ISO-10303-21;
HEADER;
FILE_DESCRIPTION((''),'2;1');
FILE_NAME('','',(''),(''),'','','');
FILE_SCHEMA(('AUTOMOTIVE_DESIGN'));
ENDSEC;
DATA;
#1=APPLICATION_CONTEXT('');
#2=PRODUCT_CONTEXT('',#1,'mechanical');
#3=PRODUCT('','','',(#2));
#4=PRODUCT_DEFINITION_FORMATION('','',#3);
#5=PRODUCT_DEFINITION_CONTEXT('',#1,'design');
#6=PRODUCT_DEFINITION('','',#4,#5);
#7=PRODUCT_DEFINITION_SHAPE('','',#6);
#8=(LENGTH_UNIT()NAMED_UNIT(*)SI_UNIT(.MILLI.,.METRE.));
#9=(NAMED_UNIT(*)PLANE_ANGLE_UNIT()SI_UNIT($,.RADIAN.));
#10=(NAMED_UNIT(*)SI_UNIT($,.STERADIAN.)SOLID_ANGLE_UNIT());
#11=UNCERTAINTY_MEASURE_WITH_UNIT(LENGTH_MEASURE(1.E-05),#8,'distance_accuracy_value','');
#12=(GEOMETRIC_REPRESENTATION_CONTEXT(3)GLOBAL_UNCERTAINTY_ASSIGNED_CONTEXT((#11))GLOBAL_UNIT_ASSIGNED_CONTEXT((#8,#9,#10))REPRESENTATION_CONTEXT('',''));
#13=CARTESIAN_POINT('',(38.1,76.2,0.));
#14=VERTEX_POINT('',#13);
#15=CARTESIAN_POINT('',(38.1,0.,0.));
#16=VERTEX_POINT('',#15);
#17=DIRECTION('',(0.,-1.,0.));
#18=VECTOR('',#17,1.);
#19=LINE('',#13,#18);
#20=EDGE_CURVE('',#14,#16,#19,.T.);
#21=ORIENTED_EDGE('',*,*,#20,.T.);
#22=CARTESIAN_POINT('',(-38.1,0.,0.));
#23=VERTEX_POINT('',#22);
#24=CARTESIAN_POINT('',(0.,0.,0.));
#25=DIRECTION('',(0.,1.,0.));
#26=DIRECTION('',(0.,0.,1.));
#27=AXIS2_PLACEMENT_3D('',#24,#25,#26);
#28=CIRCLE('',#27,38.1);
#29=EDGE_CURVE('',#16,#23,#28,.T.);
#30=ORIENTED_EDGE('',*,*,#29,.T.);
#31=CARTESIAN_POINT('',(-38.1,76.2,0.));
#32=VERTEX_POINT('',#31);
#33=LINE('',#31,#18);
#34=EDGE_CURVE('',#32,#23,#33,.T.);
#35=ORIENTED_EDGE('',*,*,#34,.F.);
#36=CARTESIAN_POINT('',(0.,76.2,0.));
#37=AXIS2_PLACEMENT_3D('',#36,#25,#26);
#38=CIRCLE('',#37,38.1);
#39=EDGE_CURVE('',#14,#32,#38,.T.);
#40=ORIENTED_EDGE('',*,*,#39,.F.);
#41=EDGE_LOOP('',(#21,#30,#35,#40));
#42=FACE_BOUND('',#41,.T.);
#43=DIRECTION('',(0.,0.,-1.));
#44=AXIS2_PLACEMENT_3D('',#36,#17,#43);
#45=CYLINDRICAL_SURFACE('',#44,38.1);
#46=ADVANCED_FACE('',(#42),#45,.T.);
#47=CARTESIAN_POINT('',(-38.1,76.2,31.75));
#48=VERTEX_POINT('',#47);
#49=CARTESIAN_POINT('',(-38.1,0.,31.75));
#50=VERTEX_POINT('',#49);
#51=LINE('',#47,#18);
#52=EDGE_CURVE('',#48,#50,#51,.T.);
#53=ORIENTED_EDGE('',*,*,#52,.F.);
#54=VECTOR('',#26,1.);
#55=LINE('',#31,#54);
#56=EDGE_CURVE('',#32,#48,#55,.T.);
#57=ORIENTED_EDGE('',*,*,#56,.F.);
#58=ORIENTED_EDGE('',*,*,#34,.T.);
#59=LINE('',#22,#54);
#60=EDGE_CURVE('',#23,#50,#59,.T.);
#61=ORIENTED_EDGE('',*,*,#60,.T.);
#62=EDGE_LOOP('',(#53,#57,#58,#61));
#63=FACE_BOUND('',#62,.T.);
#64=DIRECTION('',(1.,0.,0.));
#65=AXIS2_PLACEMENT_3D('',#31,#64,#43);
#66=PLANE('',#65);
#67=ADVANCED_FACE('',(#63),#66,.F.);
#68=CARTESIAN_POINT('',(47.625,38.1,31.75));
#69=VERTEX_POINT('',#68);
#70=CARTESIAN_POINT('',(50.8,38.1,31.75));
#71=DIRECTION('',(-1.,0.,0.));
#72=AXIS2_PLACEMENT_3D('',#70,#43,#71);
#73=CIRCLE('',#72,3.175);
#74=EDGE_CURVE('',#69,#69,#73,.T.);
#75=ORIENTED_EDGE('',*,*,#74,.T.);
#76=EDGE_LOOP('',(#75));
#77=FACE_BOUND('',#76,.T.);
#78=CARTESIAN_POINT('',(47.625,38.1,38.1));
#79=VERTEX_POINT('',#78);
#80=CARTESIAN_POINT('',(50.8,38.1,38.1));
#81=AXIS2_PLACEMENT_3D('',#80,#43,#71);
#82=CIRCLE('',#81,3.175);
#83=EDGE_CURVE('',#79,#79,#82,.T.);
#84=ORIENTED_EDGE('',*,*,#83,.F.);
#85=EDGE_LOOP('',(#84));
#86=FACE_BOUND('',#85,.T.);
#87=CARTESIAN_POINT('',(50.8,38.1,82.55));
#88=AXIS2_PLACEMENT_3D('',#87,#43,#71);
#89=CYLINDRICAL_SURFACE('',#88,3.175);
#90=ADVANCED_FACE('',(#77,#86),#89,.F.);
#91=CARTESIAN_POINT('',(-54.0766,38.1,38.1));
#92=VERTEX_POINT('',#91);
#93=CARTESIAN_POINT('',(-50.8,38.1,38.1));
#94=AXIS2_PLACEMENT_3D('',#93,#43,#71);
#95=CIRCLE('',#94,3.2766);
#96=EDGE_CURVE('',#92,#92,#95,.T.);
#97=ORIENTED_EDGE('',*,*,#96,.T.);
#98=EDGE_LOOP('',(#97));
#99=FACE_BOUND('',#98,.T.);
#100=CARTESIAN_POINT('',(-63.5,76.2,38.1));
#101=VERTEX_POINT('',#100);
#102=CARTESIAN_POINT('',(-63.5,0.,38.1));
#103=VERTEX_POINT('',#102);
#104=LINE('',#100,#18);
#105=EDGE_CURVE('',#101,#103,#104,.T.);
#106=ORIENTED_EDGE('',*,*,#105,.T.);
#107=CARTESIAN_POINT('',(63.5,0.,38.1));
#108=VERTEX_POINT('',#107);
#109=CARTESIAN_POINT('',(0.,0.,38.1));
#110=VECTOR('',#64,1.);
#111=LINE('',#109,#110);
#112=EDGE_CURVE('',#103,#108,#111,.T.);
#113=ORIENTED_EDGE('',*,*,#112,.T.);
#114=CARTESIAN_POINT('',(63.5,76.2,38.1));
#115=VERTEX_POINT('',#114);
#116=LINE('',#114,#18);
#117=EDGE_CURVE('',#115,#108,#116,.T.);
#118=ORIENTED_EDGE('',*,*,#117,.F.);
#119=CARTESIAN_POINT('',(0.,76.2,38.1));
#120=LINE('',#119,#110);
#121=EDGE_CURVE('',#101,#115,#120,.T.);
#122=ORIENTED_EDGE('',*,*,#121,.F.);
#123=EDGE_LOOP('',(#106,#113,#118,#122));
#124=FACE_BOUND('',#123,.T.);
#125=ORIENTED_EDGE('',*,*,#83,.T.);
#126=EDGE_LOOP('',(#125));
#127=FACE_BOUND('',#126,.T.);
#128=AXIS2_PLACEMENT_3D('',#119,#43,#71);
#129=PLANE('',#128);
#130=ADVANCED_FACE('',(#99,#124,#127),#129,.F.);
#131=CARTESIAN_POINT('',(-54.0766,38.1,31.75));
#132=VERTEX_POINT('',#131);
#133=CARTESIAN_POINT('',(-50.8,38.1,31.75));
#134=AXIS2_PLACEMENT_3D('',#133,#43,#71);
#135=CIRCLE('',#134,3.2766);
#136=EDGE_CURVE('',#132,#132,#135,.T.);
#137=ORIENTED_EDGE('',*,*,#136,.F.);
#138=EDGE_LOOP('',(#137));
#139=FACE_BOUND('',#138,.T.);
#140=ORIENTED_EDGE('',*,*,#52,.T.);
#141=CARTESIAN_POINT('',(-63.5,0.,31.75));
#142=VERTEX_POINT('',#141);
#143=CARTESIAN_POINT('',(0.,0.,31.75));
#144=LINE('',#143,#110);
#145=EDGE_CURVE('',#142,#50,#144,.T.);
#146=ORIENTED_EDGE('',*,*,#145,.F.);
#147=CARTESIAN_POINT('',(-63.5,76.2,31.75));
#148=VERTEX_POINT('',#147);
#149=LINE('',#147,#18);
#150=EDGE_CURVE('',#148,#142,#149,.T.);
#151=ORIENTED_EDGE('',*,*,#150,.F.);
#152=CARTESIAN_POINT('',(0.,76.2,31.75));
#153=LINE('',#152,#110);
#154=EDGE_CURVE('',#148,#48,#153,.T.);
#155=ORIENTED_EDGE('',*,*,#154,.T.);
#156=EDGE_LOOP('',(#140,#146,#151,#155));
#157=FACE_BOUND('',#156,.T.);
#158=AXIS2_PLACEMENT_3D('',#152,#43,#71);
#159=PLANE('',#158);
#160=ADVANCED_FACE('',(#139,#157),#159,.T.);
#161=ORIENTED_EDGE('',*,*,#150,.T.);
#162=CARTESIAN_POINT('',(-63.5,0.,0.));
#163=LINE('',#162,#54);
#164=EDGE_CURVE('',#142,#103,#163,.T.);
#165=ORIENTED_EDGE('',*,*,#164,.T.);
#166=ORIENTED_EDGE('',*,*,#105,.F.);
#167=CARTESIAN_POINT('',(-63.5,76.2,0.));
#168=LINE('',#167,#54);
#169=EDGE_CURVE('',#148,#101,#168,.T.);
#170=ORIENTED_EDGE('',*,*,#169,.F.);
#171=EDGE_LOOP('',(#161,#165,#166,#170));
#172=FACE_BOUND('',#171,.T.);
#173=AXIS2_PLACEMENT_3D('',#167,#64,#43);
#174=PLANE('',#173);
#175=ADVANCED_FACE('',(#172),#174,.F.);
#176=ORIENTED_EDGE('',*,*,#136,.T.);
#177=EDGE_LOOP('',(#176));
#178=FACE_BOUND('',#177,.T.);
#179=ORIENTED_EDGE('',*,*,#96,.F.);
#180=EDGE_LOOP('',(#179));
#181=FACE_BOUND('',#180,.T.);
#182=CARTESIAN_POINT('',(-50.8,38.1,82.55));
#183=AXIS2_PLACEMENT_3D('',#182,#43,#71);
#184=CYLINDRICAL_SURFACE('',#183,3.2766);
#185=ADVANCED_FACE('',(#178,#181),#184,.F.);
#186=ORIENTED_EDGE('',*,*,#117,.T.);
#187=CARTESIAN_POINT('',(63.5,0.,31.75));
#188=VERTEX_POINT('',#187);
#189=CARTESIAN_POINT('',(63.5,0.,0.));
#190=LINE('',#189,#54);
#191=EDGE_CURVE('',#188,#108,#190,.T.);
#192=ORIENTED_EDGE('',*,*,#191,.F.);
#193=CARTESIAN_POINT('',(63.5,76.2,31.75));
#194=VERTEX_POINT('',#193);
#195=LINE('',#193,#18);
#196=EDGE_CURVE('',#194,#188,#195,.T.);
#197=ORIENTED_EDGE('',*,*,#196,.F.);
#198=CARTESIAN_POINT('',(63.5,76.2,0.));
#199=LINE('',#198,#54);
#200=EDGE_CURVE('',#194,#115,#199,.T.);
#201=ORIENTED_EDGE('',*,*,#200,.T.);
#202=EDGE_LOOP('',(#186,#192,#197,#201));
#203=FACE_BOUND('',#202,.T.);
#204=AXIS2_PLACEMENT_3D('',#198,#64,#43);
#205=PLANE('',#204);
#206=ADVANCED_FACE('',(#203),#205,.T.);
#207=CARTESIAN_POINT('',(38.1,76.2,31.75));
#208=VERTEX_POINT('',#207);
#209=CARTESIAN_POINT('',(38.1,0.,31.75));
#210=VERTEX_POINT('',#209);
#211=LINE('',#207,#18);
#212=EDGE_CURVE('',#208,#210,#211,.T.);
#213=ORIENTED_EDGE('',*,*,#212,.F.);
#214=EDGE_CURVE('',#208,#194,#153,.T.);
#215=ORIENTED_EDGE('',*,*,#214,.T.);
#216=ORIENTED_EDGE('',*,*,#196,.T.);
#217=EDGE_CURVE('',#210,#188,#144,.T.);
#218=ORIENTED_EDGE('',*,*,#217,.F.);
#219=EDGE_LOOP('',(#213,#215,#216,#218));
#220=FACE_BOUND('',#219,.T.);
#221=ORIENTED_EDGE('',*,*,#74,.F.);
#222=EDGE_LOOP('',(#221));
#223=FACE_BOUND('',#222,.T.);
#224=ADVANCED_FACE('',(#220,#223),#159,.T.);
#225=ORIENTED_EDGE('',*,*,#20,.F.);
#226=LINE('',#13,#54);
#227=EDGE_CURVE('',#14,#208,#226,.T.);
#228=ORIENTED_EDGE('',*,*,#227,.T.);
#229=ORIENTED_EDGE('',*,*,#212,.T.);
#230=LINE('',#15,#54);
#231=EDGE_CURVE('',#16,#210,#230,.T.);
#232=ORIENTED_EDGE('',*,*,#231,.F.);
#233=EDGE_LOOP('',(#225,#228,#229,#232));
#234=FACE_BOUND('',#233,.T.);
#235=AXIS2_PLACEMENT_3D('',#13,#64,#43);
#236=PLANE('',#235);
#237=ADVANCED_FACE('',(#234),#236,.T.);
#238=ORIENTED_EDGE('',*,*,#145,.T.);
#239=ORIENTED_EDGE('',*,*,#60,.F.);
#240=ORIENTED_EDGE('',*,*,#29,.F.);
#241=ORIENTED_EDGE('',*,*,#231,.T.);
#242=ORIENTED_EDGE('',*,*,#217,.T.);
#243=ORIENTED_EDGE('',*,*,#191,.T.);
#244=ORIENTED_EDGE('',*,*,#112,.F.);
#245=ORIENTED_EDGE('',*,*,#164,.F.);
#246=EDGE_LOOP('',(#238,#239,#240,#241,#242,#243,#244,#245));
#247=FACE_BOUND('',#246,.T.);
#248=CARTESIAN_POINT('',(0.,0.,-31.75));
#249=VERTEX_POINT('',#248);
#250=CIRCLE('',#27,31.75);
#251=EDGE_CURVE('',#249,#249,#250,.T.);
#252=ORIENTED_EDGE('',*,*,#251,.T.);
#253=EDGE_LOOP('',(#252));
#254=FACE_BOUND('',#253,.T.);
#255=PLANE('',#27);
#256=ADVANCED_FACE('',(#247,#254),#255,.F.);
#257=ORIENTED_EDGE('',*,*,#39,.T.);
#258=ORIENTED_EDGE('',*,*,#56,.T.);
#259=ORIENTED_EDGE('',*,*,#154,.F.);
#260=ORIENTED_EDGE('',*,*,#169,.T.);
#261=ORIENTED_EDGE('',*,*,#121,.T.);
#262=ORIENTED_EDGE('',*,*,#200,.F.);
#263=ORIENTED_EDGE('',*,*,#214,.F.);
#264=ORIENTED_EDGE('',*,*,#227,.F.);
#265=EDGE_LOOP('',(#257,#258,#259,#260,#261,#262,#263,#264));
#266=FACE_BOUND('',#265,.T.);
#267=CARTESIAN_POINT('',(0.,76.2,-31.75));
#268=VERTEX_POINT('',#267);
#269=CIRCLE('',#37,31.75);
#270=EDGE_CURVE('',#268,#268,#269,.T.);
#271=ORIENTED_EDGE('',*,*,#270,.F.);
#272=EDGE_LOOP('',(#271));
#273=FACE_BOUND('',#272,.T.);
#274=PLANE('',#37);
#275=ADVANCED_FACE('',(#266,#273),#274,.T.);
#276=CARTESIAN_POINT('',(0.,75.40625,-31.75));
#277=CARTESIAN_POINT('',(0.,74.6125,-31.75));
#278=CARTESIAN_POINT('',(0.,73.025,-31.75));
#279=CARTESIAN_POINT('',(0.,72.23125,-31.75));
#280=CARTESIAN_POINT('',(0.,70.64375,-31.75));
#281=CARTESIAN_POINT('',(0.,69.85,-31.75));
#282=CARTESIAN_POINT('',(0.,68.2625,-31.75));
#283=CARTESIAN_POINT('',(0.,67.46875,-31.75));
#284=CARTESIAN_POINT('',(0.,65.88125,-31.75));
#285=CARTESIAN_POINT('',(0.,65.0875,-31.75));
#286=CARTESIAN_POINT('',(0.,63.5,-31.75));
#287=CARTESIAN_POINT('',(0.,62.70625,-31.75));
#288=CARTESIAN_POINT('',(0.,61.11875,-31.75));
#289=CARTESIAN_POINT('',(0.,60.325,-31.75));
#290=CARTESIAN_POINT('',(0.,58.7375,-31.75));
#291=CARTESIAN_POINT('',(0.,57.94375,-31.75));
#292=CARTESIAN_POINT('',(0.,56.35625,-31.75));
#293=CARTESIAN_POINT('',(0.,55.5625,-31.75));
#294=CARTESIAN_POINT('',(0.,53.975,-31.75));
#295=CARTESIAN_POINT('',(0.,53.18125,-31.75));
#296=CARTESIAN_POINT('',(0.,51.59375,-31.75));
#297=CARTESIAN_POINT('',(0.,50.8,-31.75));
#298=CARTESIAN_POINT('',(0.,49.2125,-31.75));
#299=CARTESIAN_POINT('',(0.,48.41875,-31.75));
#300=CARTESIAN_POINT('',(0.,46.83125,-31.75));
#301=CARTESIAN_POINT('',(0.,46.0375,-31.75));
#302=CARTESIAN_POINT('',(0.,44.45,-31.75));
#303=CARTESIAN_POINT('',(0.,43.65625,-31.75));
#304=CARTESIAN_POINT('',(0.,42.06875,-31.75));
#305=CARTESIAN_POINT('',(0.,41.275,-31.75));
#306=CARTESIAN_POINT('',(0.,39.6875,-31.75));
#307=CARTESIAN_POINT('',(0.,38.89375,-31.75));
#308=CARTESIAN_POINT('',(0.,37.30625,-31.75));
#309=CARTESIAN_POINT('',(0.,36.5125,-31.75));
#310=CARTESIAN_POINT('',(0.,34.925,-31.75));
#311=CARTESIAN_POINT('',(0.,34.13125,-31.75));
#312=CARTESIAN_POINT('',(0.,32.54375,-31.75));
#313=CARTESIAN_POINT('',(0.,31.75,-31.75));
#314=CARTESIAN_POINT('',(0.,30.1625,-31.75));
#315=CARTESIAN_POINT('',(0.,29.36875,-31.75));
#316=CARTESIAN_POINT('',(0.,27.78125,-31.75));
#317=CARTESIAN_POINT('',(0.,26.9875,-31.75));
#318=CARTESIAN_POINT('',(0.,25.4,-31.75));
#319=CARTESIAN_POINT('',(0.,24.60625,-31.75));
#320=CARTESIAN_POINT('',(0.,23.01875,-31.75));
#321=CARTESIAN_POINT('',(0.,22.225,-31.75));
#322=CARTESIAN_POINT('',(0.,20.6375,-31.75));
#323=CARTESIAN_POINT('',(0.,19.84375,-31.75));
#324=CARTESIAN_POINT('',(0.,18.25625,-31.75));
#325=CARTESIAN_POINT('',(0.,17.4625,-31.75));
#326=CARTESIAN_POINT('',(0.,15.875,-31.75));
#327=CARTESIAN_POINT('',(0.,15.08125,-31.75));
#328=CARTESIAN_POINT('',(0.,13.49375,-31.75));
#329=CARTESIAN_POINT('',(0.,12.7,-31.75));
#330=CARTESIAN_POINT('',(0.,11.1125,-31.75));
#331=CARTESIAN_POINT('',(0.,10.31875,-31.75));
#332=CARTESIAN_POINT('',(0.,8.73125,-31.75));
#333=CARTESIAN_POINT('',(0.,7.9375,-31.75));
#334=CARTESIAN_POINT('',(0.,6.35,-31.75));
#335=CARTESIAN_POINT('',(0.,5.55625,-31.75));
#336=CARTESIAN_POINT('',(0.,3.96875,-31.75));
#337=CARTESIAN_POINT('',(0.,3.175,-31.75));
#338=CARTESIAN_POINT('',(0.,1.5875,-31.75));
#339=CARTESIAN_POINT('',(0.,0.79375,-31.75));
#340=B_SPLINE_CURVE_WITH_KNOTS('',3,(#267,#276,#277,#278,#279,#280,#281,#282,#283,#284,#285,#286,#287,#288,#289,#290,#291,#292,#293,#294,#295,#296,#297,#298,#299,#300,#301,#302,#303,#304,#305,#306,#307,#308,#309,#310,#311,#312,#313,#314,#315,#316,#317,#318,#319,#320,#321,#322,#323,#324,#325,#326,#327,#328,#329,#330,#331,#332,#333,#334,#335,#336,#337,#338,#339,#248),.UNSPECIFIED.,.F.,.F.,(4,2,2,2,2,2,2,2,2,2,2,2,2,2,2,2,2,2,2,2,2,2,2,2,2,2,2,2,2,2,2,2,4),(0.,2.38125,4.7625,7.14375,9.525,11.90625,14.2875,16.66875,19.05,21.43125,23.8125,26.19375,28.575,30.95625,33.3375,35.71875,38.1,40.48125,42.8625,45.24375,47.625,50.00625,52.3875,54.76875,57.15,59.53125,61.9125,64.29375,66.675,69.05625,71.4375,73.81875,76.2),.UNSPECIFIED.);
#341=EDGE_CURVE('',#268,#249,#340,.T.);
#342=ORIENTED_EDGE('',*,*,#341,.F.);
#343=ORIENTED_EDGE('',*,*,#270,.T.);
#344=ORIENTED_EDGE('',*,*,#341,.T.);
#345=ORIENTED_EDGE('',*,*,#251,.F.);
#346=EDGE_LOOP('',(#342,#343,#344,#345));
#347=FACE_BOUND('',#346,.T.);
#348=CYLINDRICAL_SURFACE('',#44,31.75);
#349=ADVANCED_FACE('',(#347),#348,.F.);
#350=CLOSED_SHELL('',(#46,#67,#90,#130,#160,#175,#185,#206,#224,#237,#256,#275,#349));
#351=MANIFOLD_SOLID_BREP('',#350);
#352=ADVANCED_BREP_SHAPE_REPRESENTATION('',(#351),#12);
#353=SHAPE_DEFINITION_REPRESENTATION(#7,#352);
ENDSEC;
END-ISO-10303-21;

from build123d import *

# Parameters (mm, degrees)
SKETCH1_R           = 31.75
BOSS_EXTRUDE1_DEPTH = 76.2
SKETCH2_R           = 3.2766
SKETCH2_R_2         = 3.175
CUT_EXTRUDE1_DEPTH  = 50.8


with BuildPart() as part:
    # Sketch1 → Boss-Extrude1 (new body)
    with BuildSketch(Plane(origin=(0, 0, 0), x_dir=(1, 0, 0), z_dir=(0, 1, 0))):
        with BuildLine():
            Line((-38.1, -31.75), (-63.5, -31.75))
            Line((-63.5, -31.75), (-63.5, -38.1))
            Line((-63.5, -38.1), (63.5, -38.1))
            Line((63.5, -38.1), (63.5, -31.75))
            Line((63.5, -31.75), (38.1, -31.75))
            Line((38.1, -31.75), (38.1, 0))
            ThreePointArc((38.1, 0), (0, 38.1), (-38.1, 0))
            Line((-38.1, 0), (-38.1, -31.75))
        make_face()
        with Locations(Location((0, 0, 0), (0, 0, 90))):
            Circle(SKETCH1_R, mode=Mode.SUBTRACT)
    extrude(amount=BOSS_EXTRUDE1_DEPTH)

    # Sketch2 → Cut-Extrude1 (cut)
    with BuildSketch(Plane(origin=(0, 0, 31.75), x_dir=(-1, 0, 0), z_dir=(0, 0, -1))):
        with Locations((50.8, 38.1)):
            Circle(SKETCH2_R)
        with Locations((-50.8, 38.1)):
            Circle(SKETCH2_R_2)
    extrude(amount=-CUT_EXTRUDE1_DEPTH, mode=Mode.SUBTRACT)


solid = part.part
